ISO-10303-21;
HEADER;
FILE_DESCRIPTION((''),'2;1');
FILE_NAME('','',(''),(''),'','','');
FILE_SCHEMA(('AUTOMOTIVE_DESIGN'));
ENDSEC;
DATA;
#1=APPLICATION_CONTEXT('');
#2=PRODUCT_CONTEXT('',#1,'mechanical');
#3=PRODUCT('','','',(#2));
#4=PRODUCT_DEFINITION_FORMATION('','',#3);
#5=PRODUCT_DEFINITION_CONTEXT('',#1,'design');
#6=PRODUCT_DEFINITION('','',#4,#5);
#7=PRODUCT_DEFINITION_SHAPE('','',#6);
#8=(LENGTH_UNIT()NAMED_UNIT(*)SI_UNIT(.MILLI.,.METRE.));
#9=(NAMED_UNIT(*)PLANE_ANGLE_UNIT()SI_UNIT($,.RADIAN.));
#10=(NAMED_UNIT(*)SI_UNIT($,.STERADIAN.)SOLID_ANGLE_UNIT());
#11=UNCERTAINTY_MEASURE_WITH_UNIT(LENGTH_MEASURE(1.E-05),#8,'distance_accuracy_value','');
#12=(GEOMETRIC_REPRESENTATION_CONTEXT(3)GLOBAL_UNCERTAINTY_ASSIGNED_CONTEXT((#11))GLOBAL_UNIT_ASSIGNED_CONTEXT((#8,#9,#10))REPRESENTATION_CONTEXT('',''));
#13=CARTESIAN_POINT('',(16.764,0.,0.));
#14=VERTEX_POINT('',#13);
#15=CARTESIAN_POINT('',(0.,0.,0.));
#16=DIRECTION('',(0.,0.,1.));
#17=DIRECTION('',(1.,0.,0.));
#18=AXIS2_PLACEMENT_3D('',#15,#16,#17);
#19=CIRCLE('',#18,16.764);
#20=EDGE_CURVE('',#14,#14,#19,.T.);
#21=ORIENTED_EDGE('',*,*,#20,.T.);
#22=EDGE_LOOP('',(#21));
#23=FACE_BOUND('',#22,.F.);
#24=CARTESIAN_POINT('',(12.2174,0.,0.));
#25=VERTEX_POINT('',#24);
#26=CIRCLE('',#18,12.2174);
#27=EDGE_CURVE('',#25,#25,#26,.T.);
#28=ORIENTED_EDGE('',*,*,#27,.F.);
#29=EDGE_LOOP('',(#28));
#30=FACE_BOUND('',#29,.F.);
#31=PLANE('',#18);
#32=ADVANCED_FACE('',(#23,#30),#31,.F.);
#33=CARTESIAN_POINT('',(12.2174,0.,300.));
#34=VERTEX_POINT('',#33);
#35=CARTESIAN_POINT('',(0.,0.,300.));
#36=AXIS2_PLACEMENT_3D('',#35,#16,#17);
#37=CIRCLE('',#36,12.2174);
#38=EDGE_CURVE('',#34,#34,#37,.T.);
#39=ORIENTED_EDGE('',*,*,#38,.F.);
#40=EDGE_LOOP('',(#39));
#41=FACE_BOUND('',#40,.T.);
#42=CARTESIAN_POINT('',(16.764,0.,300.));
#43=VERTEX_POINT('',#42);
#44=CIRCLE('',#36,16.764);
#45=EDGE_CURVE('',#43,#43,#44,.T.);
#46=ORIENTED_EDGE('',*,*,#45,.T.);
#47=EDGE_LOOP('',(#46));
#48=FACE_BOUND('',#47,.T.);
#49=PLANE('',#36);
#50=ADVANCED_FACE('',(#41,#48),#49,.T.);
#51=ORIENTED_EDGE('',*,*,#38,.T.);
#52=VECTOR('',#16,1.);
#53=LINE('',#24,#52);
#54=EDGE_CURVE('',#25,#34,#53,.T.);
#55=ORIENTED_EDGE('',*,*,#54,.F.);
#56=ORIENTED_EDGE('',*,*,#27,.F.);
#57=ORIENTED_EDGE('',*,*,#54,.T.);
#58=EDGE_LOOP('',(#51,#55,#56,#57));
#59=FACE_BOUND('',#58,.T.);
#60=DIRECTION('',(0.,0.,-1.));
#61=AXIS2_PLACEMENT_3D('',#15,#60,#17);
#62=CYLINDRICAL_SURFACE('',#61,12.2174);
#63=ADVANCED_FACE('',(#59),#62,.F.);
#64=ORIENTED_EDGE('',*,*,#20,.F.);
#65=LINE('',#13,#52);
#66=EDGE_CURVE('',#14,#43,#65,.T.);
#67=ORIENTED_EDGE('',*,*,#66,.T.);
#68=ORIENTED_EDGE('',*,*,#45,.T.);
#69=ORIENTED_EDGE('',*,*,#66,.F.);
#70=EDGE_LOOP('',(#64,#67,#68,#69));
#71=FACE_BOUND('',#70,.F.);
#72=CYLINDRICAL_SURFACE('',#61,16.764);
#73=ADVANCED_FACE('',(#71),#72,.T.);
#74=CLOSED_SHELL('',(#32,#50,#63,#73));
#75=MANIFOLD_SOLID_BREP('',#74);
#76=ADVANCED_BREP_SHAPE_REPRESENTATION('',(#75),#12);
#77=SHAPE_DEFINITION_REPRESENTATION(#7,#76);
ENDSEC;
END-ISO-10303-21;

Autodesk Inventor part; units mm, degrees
ref_plane "YZ Plane" through (0, 0, 0) normal (1, 0, 0) x (0, 1, 0)
ref_plane "Start Plane" through (0, 0, 0) normal (0, 0, 1) x (1, 0, 0)
ref_plane "End Plane" through (0, 0, 300) normal (0, 0, 1) x (1, 0, 0)
sketch "Sketch" plane through (0, 0, 0) normal (0, 0, 1) x (1, 0, 0)
  circle A0 centre (0, 0) radius 12.2174
  circle A1 centre (0, 0) radius 16.764
  dimension "d0" = 33.528
  dimension "d1" = 4.5466
extrude "Body" add sketch "Sketch" along normal up to surface (300 mm away) from surface at 0
sketch "Sketch3" plane through (0, 0, 0) normal (0, 0, 1) x (1, 0, 0)
  line L0 (0, 0) -> (10, 0)
ref_plane "Work Plane3" through (0, 0, 0) normal (0, -1, 0) x (1, 0, 0)
sketch "Sketch4" plane through (0, 0, 0) normal (0, -1, 0) x (1, 0, 0)
  line L0 (-2, 0) -> (12, 0) projected
  line L1 (-2, 300) -> (12, 300) projected
  dimension "d7" = 300
equation "\"d0\" = G_H"
equation "\"d1\" = G_T"
equation "\"d2\" = G_L"
equation "\"G_H\" = 33.528"
equation "\"G_T\" = 4.5466"
equation "\"G_L\" = d7"
equation "\"G_OFFSET_START\" = 0"
equation "\"G_OFFSET_END\" = 0"
equation "\"d5\" = G_OFFSET_END + B_L"
equation "\"B_L\" = 300"
properties part number "ANSI - 1 x 0.179 - 11.811" material "Steel, Mild"
